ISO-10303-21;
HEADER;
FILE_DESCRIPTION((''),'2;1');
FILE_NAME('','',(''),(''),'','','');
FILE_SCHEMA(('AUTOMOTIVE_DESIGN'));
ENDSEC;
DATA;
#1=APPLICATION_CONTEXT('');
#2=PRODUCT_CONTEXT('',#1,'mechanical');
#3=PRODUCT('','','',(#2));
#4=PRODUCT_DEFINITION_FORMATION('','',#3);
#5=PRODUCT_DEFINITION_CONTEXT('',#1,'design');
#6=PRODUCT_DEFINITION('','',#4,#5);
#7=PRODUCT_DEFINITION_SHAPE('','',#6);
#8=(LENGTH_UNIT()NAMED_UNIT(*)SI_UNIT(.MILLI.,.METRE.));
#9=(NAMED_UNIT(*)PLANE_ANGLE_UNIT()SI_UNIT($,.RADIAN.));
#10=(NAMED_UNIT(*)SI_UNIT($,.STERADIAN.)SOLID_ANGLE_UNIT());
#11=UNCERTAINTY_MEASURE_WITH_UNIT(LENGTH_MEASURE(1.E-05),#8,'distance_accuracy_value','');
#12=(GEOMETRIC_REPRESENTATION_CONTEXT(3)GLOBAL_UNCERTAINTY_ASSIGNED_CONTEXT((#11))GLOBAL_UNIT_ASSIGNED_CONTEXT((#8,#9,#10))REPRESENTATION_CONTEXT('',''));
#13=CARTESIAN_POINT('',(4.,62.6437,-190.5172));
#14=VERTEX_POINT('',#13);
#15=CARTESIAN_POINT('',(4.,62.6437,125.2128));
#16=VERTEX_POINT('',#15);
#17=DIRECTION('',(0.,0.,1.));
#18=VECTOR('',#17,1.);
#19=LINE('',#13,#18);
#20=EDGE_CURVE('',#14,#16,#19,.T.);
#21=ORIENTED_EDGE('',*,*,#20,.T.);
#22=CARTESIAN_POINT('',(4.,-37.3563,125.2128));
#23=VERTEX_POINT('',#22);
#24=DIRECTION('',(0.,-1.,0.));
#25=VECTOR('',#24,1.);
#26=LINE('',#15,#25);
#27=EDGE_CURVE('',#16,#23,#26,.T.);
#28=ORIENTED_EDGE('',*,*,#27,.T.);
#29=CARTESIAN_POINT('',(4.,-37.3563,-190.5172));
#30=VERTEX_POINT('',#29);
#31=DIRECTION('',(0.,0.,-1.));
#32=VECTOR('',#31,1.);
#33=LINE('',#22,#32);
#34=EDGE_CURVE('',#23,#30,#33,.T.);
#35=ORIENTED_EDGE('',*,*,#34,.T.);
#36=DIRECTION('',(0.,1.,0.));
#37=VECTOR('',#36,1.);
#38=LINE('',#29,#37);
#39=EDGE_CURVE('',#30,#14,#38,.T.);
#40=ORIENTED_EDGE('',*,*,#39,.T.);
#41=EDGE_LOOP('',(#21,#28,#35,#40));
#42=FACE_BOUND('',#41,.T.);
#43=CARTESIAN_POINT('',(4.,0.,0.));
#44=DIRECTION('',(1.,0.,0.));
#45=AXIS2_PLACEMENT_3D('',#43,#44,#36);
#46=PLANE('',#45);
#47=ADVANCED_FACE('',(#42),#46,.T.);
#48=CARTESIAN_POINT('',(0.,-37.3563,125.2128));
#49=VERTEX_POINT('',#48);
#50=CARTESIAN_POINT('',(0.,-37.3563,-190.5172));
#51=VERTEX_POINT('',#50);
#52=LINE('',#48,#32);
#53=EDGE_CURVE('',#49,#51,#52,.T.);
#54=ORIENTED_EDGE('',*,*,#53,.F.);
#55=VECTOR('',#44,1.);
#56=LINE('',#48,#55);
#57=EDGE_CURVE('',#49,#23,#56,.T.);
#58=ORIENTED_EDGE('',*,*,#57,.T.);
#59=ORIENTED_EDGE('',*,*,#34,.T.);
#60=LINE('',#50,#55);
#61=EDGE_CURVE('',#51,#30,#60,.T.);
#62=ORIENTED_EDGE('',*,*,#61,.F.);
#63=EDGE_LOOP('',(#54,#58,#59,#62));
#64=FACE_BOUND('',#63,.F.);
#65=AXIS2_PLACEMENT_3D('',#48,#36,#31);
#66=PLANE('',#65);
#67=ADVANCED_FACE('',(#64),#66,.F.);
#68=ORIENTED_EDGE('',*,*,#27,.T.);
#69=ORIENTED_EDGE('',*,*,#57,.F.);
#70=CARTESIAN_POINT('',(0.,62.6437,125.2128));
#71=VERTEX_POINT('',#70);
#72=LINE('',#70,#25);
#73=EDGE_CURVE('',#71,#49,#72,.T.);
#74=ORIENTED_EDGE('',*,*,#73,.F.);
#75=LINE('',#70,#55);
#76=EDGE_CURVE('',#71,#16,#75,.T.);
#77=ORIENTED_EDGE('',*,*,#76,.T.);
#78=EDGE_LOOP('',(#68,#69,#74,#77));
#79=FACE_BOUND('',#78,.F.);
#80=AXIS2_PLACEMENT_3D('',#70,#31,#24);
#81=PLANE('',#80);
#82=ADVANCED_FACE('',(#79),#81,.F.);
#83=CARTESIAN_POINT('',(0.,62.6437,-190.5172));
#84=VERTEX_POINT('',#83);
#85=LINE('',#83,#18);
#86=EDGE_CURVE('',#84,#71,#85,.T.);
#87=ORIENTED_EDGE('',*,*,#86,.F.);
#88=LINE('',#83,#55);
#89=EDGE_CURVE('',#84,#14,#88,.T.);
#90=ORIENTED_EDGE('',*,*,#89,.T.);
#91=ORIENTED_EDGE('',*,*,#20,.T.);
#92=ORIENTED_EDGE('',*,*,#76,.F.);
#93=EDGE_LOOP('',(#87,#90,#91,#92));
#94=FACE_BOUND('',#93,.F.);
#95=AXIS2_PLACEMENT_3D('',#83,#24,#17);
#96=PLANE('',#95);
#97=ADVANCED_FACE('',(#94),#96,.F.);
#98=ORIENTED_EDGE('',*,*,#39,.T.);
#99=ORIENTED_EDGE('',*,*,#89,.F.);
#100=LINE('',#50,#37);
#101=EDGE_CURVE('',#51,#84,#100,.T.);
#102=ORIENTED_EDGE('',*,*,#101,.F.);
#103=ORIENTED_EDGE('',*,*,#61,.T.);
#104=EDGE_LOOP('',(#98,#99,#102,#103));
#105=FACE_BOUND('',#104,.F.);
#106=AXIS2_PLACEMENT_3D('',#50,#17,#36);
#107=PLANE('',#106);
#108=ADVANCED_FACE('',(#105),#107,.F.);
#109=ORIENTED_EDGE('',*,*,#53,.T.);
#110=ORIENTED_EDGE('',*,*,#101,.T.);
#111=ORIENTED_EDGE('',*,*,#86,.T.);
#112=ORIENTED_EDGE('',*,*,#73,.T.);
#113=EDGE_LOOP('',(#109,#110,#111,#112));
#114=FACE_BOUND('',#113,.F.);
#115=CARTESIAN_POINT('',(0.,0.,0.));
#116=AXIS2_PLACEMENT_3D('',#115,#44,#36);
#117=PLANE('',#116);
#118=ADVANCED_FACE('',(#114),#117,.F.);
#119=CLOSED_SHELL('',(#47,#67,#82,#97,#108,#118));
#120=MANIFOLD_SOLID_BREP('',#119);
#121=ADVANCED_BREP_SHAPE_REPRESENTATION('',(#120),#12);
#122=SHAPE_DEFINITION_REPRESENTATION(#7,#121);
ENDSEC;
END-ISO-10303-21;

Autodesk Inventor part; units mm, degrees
ref_plane "YZ Plane" through (0, 0, 0) normal (1, 0, 0) x (0, 1, 0)
ref_plane "XZ Plane" through (0, 0, 0) normal (0, 1, 0) x (-1, 0, 0)
ref_plane "XY Plane" through (0, 0, 0) normal (0, 0, 1) x (1, 0, 0)
sketch "Sketch1" plane through (0, 0, 0) normal (1, 0, 0) x (0, 1, 0)
  line L0 (62.6437, 125.2128) -> (-37.3563, 125.2128)
  line L1 (-37.3563, 125.2128) -> (-37.3563, -190.5172)
  line L2 (-37.3563, -190.5172) -> (62.6437, -190.5172)
  line L3 (62.6437, -190.5172) -> (62.6437, 125.2128)
  point P0 (0, 0)
  dimension "d0" = 100
  dimension "d1" = 315.73
extrude "Extrusion1" add sketch "Sketch1" along normal blind 4
properties part number "Edge Band - Platform D Flat" material "Wood (Birch)"
